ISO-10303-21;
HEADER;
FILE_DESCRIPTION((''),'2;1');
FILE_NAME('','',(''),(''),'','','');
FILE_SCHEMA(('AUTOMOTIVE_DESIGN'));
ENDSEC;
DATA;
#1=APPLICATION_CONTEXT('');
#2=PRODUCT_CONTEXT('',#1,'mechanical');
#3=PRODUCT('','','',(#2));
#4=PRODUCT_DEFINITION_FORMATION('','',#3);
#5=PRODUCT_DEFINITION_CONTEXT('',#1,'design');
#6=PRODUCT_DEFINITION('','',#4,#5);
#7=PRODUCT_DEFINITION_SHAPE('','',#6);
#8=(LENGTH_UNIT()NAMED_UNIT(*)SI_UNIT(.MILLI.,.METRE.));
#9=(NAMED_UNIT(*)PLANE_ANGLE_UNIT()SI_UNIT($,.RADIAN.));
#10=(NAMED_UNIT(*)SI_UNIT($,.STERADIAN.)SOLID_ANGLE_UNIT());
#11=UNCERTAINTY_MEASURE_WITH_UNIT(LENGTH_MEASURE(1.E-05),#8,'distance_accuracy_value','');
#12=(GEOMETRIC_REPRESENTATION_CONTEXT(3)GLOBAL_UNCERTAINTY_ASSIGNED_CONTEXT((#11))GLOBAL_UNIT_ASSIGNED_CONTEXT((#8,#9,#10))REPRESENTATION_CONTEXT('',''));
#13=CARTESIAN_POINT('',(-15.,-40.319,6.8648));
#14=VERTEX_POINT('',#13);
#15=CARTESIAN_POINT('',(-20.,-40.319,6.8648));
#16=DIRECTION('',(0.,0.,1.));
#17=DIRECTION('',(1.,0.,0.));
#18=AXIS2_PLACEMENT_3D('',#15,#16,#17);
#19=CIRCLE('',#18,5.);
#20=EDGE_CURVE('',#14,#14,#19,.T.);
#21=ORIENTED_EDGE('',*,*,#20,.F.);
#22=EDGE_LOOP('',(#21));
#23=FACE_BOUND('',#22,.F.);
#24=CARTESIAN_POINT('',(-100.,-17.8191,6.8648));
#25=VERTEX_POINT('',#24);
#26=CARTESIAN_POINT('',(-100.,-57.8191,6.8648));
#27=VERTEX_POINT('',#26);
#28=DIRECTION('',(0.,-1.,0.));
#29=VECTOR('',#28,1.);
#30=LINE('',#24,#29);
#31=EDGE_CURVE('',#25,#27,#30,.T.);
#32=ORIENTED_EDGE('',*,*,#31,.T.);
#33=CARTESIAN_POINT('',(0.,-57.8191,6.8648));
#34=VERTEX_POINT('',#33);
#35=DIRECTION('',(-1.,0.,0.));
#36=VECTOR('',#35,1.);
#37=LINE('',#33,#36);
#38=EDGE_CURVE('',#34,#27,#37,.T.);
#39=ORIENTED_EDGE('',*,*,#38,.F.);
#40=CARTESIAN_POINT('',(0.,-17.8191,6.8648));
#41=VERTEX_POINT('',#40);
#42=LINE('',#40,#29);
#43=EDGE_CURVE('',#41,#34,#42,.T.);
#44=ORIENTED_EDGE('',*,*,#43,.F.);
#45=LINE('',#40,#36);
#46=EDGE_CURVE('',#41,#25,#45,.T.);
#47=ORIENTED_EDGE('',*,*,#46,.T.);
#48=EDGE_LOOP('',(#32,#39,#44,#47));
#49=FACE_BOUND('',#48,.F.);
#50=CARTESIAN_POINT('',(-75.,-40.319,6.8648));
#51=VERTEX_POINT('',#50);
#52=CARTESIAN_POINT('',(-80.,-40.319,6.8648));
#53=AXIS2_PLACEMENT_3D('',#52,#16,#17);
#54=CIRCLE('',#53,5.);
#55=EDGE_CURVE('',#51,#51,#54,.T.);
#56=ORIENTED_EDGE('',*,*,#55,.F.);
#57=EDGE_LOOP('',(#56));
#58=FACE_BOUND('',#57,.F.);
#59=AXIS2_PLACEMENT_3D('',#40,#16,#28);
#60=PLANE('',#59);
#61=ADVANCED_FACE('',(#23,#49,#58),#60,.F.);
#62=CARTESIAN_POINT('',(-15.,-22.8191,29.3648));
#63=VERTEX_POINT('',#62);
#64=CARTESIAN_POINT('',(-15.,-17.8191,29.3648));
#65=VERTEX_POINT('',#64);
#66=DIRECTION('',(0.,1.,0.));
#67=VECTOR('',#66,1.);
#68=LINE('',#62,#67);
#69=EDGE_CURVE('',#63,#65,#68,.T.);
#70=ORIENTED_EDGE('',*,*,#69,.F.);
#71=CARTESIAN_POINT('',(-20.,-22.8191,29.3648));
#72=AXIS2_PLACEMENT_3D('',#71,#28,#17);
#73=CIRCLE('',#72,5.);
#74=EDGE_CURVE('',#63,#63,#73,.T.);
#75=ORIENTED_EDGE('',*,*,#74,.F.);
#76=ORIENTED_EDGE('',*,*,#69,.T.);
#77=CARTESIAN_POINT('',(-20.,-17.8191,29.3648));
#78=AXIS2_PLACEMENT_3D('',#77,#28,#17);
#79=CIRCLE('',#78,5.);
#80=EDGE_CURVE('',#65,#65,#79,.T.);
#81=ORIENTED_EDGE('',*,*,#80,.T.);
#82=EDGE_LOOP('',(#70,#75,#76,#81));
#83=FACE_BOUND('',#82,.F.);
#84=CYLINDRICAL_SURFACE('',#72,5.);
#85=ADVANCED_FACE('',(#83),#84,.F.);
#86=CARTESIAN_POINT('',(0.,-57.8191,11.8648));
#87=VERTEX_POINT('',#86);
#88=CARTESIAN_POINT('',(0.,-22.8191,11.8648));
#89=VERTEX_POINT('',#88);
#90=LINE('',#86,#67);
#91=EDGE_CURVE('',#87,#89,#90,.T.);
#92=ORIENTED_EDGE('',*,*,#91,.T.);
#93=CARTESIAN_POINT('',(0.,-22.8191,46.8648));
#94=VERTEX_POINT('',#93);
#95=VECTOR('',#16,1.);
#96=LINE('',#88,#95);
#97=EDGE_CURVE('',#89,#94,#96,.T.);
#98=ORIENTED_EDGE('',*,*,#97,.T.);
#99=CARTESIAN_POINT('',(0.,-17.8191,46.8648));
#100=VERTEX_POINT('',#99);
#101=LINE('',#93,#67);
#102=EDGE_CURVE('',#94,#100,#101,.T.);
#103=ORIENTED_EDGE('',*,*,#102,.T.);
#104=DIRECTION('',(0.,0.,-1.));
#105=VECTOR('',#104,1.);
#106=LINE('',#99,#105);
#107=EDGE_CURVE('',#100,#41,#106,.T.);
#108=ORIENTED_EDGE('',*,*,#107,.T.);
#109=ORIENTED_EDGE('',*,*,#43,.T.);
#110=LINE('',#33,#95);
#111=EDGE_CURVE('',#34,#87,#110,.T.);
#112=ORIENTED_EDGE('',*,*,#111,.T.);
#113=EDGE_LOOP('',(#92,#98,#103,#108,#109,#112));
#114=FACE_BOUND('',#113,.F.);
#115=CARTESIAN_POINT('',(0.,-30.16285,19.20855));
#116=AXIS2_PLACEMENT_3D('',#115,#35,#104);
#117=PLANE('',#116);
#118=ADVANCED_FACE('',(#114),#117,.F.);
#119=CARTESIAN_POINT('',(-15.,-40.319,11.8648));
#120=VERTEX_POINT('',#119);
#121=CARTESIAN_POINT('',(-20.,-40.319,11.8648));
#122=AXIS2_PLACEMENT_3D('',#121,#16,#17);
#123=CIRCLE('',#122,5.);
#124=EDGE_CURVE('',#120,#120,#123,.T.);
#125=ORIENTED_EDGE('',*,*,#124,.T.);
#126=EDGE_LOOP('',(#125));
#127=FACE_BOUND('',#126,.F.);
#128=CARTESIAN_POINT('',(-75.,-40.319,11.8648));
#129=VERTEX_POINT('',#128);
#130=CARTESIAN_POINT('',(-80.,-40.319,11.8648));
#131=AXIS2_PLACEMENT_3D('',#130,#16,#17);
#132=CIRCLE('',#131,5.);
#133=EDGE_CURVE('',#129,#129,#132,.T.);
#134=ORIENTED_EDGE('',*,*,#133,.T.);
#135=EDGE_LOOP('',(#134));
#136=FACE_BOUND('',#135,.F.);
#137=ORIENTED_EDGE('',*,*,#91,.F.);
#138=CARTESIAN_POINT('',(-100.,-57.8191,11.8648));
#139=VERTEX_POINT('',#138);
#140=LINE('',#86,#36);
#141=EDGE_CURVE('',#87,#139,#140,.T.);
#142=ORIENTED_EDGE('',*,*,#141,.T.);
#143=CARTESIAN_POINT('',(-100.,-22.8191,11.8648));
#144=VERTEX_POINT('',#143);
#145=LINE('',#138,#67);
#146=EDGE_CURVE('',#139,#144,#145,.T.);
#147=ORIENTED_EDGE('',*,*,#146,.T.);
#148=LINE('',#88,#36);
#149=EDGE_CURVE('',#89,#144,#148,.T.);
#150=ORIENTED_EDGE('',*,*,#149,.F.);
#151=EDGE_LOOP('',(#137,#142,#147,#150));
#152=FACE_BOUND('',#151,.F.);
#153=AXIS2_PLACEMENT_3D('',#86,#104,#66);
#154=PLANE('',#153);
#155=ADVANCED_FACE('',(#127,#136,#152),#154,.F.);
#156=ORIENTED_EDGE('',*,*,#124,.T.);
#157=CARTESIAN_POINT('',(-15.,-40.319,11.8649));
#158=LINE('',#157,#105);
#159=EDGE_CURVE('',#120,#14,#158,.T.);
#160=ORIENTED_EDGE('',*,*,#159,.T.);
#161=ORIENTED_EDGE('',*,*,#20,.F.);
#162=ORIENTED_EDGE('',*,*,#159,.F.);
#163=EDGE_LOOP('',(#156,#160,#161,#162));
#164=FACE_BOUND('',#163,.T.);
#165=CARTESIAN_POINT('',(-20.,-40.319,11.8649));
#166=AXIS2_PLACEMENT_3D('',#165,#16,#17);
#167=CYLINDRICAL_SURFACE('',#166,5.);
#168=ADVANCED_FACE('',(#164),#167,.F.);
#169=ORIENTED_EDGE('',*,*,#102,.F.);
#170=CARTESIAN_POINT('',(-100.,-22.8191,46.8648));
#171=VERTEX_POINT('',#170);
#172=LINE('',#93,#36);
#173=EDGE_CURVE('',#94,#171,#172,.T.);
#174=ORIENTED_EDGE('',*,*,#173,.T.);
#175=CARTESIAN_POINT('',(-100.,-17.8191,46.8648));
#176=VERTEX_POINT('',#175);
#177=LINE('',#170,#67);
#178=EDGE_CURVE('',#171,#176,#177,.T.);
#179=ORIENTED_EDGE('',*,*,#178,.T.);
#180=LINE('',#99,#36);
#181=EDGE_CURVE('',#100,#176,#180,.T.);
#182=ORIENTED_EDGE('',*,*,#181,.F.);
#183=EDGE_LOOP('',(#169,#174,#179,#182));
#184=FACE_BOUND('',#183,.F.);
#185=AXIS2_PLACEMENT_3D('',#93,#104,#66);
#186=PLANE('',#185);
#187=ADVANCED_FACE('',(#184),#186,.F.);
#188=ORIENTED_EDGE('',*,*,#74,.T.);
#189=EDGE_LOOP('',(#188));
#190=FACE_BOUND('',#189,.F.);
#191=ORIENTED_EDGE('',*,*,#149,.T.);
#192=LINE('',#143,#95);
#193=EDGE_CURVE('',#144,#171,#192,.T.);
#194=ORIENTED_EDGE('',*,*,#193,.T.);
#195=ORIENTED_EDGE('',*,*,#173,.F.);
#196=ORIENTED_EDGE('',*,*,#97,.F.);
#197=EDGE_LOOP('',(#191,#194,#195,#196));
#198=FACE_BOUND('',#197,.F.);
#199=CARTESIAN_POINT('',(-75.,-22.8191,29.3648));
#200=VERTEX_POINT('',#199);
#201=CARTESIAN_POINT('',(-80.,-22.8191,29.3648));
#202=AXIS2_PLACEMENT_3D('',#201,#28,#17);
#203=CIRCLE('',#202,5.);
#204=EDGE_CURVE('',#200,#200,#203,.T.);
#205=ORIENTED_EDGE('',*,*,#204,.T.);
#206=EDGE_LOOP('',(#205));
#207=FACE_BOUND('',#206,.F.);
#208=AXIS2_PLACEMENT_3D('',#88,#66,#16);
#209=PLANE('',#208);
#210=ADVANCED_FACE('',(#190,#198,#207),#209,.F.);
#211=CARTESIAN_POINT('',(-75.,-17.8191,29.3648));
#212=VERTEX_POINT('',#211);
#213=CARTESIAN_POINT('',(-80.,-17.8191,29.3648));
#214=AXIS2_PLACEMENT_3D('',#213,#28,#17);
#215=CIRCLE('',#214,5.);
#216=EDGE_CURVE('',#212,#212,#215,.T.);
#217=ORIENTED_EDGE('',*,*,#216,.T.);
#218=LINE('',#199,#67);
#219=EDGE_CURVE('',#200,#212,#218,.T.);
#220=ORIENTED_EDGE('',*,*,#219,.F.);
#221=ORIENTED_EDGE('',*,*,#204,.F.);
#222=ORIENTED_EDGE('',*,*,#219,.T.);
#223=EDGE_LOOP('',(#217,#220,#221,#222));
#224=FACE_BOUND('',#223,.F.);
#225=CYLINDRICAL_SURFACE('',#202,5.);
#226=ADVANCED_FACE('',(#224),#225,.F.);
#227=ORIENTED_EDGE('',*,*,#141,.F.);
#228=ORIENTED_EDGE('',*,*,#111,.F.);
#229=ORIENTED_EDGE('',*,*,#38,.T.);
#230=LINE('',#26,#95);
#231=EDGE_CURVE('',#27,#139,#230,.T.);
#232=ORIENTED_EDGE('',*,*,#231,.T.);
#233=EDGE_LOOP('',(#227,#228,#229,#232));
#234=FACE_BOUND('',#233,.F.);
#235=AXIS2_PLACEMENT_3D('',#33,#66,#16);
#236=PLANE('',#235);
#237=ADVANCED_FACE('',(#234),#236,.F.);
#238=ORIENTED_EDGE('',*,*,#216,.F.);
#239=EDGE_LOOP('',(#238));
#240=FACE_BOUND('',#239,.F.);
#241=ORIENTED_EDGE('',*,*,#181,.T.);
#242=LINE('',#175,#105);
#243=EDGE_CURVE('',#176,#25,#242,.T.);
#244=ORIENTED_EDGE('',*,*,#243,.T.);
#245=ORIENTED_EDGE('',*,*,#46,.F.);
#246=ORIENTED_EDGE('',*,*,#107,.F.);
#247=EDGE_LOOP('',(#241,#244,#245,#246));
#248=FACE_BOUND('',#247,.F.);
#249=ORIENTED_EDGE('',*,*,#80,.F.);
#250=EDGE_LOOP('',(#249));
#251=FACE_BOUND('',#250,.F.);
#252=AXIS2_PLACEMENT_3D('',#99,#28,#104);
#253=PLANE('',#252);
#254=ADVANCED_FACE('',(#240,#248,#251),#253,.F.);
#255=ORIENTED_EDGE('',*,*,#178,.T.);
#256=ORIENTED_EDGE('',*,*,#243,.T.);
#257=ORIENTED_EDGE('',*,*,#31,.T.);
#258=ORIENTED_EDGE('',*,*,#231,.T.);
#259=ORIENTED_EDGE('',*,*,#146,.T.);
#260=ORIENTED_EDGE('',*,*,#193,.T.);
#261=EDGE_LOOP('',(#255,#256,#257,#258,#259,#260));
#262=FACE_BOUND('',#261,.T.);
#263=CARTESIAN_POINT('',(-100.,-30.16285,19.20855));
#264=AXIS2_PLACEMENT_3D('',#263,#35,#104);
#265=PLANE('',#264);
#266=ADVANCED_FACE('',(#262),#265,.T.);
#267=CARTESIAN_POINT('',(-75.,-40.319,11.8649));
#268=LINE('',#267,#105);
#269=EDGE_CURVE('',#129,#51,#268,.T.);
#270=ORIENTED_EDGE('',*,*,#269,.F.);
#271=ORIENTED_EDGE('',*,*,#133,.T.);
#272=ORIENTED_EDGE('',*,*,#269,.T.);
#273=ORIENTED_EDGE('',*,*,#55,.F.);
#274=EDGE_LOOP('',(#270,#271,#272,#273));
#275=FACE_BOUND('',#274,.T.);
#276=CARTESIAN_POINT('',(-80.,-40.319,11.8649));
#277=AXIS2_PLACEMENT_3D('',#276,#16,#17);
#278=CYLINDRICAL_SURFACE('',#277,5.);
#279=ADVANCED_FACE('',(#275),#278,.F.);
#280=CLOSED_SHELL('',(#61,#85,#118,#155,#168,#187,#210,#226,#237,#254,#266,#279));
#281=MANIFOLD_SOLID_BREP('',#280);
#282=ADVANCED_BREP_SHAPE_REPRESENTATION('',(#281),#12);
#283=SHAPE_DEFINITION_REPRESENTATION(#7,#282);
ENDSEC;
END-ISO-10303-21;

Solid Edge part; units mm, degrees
sketch "Sketch1" plane through (0, 0, 0) normal (1, 0, 0) x (0, 1, 0)
  line L0 (-17.8191, 46.8648) -> (-17.8191, 6.8648)
  line L1 (-17.8191, 6.8648) -> (-57.8191, 6.8648)
  line L2 (-57.8191, 6.8648) -> (-57.8191, 11.8648)
  line L3 (-57.8191, 11.8648) -> (-22.8191, 11.8648)
  line L4 (-22.8191, 11.8648) -> (-22.8191, 46.8648)
  line L5 (-22.8191, 46.8648) -> (-17.8191, 46.8648)
  dimension "D1" = 5
  dimension "D2" = 5
  dimension "D3" = 40
  dimension "D4" = 40
extrude "Protrusion1" add sketch "Sketch1" against normal blind 100
sketch "Sketch2" plane through (-50, -22.8191, 29.3648) normal (0, -1, 0) x (1, 0, 0)
  circle A0 centre (30, 0) radius 5
  circle A1 centre (-30, 0) radius 5
  dimension "D1" = 10
  dimension "D2" = 60
  dimension "D3" = 30
extrude "Cutout1" cut sketch "Sketch2" against normal through all
mirror "Mirror1" about plane through (-50, -35.1934, 24.2392) normal (0, -0.7071, -0.7071) of "Cutout1"
